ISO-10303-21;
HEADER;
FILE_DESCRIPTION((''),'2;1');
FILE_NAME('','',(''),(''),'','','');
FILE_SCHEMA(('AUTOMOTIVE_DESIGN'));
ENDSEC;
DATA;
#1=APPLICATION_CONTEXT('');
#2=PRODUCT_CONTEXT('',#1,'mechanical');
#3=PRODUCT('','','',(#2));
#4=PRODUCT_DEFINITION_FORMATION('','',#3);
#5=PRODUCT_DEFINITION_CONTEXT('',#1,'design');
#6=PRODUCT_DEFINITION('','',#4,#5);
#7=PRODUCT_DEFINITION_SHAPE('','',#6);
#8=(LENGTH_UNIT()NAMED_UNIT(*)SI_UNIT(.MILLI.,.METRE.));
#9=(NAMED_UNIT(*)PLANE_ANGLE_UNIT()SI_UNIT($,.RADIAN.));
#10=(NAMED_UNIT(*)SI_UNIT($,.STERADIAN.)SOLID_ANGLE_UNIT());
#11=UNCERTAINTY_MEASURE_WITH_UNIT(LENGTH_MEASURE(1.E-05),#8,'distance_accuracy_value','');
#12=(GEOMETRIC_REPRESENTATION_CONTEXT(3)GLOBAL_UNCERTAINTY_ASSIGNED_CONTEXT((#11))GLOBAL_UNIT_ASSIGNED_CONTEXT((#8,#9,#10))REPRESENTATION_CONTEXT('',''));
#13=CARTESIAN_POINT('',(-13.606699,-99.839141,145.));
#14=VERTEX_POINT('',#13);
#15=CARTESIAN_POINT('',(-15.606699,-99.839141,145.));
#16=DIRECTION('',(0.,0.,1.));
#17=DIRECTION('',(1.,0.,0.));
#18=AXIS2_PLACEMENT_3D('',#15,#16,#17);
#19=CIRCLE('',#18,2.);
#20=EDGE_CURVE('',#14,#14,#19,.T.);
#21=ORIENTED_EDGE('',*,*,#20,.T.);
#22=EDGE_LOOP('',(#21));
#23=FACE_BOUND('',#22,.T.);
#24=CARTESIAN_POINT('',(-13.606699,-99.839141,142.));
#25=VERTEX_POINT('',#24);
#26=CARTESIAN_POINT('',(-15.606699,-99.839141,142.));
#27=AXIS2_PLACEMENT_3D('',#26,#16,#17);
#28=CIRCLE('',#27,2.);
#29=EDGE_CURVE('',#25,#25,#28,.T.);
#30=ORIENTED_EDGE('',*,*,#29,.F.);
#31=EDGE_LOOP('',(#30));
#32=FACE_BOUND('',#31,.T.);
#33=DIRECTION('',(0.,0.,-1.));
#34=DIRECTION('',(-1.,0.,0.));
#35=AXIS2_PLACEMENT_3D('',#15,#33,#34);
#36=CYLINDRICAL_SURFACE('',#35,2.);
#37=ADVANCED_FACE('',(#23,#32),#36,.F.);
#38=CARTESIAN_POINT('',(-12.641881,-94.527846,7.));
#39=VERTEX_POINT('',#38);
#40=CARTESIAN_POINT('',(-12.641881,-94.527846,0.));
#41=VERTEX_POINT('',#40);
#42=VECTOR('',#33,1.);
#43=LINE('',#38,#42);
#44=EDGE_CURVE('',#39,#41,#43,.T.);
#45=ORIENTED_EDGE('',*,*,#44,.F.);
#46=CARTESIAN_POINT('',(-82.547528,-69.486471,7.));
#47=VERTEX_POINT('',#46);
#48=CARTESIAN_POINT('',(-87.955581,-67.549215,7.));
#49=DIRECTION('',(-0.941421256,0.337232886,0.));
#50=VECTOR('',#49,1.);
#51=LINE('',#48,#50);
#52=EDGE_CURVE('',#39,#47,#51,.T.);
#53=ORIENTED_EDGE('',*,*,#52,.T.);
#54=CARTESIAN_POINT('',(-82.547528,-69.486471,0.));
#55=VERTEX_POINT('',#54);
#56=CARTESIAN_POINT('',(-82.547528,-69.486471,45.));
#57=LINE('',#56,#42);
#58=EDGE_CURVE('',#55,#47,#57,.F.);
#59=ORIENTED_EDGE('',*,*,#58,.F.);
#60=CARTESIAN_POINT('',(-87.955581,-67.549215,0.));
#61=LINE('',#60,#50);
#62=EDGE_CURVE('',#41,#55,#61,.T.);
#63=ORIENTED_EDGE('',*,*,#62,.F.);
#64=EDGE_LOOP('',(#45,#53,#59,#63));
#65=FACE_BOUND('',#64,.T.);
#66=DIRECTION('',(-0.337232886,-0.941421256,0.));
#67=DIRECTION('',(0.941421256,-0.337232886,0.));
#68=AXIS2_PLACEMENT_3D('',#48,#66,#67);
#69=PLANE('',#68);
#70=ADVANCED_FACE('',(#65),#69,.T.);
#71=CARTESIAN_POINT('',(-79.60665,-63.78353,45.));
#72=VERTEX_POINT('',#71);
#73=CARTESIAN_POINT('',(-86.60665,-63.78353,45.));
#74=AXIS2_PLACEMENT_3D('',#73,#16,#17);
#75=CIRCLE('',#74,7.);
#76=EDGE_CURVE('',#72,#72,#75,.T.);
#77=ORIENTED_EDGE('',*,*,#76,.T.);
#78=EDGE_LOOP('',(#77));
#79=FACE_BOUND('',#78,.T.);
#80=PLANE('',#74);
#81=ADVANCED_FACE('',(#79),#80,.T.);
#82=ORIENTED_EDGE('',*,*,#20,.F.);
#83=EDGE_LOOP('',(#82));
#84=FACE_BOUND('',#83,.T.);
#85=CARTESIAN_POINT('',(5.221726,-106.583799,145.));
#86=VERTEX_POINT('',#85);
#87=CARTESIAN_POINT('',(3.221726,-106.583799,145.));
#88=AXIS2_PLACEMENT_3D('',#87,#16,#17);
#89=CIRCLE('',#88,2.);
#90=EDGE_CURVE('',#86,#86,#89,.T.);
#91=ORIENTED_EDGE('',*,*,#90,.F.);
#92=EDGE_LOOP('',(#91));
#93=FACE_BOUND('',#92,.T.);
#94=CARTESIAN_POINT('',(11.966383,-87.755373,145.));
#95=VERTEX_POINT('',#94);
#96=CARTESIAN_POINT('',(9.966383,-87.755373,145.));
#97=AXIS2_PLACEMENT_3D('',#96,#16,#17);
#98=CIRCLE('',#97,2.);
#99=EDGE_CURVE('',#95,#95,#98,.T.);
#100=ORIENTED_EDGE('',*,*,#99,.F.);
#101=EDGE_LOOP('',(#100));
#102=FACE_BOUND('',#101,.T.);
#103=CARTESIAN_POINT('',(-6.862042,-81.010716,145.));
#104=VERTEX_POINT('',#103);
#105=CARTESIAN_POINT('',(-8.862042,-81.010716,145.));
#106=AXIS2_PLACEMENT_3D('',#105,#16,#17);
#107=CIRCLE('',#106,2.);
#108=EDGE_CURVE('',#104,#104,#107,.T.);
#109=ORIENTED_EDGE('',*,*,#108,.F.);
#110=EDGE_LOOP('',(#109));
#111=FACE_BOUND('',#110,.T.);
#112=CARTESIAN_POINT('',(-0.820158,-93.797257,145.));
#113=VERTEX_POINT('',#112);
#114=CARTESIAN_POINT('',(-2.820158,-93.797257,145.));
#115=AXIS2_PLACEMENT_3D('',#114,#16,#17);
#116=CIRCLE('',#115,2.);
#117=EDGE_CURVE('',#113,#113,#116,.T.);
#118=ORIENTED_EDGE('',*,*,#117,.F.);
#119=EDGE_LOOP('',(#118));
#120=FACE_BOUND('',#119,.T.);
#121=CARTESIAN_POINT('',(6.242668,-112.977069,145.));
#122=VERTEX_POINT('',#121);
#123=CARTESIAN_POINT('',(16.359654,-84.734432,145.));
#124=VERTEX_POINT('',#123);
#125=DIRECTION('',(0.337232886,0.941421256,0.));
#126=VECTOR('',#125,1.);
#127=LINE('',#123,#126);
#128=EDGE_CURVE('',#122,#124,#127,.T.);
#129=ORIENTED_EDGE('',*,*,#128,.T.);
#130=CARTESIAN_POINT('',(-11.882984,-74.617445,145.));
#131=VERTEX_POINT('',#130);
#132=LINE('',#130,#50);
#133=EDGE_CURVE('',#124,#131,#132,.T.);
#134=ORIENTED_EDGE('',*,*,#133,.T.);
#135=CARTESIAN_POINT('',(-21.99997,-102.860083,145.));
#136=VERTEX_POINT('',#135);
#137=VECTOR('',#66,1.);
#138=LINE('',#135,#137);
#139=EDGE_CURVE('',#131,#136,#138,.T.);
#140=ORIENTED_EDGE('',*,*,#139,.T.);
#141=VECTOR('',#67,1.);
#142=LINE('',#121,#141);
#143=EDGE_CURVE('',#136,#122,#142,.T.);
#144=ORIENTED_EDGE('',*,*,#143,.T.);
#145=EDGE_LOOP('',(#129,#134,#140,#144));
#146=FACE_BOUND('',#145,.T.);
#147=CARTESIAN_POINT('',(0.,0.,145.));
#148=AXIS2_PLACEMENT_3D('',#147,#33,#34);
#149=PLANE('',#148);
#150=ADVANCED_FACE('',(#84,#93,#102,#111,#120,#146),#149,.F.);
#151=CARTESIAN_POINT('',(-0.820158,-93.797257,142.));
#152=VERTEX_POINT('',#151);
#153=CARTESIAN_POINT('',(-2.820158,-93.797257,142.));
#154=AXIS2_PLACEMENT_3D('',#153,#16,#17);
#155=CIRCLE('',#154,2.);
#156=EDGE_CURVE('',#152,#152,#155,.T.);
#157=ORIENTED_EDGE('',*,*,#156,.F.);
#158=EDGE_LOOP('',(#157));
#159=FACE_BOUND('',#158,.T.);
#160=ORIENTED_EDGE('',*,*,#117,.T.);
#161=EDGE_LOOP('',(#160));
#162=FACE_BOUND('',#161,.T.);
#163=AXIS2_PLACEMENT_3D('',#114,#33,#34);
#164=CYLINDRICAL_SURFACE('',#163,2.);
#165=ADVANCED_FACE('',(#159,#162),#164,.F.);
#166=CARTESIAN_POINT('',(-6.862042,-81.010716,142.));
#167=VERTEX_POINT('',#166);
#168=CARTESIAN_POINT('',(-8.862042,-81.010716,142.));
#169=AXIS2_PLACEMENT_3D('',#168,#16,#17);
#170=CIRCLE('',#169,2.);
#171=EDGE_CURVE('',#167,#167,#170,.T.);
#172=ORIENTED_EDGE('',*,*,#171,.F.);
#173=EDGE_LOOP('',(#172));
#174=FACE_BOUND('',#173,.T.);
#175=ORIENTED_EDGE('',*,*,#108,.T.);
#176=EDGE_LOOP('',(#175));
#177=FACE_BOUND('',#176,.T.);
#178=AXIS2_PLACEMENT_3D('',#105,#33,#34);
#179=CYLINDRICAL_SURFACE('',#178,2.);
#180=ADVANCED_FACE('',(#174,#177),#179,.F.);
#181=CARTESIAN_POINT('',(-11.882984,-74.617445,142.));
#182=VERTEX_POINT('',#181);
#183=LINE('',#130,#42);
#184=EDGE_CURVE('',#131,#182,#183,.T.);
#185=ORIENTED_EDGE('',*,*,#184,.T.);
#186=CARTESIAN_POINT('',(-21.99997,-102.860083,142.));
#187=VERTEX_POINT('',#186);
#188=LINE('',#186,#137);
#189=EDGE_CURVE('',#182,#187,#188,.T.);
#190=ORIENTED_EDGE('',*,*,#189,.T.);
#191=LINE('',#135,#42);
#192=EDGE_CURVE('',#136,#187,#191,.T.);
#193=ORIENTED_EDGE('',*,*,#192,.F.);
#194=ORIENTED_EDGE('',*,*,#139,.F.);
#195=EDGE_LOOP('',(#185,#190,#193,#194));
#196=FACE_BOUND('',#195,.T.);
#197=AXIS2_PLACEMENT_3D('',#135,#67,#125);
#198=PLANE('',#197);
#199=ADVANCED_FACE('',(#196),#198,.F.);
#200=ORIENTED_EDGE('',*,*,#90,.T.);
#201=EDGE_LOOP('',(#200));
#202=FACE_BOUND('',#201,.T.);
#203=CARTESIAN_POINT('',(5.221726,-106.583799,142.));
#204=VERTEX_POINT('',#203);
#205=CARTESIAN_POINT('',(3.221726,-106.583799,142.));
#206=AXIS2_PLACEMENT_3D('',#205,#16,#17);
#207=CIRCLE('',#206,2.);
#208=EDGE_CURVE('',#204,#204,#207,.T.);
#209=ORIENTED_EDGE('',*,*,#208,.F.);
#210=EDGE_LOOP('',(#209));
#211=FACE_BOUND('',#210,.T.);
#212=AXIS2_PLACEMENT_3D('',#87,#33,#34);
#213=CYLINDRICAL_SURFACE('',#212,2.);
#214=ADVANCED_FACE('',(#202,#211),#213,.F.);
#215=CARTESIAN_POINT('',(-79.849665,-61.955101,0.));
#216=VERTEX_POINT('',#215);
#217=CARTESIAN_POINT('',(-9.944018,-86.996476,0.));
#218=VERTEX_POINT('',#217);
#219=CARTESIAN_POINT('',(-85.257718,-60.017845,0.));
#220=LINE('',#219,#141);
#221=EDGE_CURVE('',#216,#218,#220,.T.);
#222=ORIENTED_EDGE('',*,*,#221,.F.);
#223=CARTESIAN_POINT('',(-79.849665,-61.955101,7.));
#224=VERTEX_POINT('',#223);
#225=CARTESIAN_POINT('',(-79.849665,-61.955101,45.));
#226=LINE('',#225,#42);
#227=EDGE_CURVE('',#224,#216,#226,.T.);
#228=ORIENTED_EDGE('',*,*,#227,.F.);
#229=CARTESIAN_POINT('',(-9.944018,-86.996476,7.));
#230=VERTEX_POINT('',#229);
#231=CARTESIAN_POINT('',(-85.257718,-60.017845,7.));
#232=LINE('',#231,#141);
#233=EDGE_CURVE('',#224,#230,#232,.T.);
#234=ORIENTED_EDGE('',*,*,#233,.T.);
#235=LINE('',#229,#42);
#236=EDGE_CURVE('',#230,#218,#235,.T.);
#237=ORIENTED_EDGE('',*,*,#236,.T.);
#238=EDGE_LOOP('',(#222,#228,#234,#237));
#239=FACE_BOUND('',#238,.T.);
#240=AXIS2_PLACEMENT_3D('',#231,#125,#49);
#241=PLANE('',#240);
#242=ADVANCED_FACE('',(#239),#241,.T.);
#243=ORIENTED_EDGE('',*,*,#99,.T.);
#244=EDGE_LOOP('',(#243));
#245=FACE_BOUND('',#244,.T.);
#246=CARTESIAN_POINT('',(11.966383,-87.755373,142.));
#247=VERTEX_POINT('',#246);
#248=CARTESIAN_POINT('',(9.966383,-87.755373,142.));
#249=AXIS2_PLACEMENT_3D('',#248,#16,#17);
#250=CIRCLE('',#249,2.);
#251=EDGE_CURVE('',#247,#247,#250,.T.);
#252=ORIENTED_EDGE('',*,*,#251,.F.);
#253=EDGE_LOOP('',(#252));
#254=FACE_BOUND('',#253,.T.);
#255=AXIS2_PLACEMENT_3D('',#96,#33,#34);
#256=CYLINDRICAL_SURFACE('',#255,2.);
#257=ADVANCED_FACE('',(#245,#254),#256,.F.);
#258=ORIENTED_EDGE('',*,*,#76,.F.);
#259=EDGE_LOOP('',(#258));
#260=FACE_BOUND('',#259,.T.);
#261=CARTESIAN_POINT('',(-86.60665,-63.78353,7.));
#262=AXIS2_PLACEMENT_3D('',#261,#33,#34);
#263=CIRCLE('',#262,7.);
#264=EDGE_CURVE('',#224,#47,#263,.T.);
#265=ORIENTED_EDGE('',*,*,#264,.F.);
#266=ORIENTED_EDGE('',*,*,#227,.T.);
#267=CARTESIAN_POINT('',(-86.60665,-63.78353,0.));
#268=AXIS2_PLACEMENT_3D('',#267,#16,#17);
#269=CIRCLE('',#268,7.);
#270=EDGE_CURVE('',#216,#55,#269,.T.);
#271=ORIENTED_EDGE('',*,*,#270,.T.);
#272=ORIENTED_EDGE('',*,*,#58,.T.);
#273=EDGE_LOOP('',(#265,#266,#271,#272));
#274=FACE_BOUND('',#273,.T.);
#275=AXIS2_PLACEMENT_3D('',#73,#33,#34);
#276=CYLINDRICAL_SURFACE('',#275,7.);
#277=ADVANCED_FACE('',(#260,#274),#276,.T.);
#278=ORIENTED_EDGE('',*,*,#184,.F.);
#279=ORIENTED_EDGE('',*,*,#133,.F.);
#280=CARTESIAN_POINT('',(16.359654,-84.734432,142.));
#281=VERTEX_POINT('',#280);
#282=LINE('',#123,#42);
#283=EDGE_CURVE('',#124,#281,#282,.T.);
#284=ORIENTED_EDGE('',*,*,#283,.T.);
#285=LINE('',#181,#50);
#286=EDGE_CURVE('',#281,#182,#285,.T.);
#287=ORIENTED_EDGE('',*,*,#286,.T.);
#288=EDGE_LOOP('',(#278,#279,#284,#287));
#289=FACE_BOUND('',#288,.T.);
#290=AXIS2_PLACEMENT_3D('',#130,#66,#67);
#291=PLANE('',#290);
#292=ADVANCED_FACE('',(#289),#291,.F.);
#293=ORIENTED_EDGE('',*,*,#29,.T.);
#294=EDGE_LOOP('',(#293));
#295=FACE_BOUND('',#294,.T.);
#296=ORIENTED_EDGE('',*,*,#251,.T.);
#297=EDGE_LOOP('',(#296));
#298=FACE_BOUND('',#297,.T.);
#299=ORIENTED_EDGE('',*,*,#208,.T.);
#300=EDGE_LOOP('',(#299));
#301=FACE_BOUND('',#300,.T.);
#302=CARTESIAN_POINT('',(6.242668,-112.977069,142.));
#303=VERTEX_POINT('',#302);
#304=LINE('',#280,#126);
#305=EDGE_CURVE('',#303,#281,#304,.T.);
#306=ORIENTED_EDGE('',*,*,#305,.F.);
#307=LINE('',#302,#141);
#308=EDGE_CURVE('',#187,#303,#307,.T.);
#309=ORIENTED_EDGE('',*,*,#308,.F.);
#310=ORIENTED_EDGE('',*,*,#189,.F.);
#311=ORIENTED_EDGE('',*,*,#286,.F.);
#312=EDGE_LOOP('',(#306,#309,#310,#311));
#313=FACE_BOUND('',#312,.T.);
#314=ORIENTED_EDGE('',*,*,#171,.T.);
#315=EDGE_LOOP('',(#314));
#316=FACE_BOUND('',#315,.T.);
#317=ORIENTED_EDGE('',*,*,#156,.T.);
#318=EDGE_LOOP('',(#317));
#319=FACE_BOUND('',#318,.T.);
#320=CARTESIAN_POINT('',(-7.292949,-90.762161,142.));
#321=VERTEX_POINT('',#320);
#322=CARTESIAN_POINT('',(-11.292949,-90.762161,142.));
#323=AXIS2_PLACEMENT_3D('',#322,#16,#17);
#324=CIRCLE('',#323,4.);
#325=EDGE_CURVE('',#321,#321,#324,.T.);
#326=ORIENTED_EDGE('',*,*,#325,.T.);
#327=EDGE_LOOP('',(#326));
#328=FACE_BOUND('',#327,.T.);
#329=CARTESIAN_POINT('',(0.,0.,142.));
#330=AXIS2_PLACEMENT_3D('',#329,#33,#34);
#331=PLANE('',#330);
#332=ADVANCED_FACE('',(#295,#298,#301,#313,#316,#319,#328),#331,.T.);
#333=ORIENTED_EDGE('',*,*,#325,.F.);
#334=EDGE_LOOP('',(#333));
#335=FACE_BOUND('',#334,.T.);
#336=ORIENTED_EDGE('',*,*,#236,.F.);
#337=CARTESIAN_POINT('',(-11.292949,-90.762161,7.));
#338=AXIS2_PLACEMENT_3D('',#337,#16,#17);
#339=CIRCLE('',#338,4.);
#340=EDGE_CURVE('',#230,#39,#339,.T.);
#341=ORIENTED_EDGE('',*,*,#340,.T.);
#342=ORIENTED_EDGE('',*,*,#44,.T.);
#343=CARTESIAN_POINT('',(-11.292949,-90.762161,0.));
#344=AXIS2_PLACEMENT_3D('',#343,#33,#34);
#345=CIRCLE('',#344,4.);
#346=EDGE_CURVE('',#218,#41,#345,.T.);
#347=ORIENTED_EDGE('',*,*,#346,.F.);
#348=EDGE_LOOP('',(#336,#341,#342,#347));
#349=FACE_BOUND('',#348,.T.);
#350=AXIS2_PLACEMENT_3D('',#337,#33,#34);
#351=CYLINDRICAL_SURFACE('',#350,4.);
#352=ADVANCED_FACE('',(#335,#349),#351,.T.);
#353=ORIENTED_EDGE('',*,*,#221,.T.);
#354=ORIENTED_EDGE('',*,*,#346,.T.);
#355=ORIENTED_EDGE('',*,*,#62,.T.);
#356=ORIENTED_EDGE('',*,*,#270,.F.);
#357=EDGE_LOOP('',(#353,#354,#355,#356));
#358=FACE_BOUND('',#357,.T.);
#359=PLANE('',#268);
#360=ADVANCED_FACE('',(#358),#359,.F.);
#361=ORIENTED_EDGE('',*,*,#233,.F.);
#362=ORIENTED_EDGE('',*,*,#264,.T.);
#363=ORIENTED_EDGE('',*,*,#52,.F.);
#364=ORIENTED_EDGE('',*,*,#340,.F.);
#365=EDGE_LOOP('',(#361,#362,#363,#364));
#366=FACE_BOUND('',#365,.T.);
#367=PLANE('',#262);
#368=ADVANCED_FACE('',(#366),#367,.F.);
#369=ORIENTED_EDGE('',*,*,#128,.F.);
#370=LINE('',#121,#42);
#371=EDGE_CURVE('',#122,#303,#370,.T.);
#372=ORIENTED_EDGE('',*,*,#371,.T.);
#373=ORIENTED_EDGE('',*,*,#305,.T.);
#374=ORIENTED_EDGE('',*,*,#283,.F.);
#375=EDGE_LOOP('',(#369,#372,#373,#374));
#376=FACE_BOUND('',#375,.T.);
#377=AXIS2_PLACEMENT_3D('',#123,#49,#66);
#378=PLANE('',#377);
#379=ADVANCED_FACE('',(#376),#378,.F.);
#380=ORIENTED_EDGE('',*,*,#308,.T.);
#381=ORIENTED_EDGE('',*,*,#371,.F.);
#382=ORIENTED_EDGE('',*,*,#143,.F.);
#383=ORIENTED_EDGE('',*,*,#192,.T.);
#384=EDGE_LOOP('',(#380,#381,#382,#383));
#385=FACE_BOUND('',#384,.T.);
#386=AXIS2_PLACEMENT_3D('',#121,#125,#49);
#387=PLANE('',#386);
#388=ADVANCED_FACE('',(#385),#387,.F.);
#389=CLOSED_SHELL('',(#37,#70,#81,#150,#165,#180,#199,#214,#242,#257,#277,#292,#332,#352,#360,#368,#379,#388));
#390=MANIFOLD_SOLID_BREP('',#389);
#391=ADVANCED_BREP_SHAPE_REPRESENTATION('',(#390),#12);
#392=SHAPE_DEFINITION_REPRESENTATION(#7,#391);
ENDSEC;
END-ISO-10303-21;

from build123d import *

# Parameters (mm, degrees)
SKETCH_1_R      = 7
EXTRUDE_1_DEPTH = 45
EXTRUDE_2_DEPTH = 7
SKETCH_7_R      = 4
EXTRUDE_3_DEPTH = 135
SKETCH_8_R      = 2
EXTRUDE_4_DEPTH = 3


with BuildPart() as part:
    # 草图1 → 凸台-拉伸1 (new body)
    with BuildSketch(Plane.XY):
        with Locations(Location((-86.606649797, -63.783530386, 0), (0, 0, 180))):
            Circle(SKETCH_1_R)
    extrude(amount=EXTRUDE_1_DEPTH)

    # 草图3 → 凸台-拉伸2 (add)
    with BuildSketch(Plane(origin=(0, 0, 0), x_dir=(-1, 0, 0), z_dir=(0, 0, -1))):
        with BuildLine():
            Line((87.955581339, -67.549215409), (12.641880873, -94.52784625))
            ThreePointArc((12.641880873, -94.52784625), (7.527264308, -92.111092769), (9.944017789, -86.996476204))
            Line((9.944017789, -86.996476204), (85.257718255, -60.017845362))
            ThreePointArc((85.257718255, -60.017845362), (90.37233482, -62.434598843), (87.955581339, -67.549215409))
        make_face()
    extrude(amount=-EXTRUDE_2_DEPTH)

    # 草图7 → 凸台-拉伸3 (add)
    with BuildSketch(Plane.XY.offset(7)):
        with Locations(Location((-11.292949331, -90.762161227, 0), (0, 0, 250.291624105))):
            Circle(SKETCH_7_R)
    extrude(amount=EXTRUDE_3_DEPTH)

    # 草图8 → 凸台-拉伸4 (add)
    with BuildSketch(Plane.XY.offset(142)):
        Polygon((-11.882983583, -74.617445076), (16.359654092, -84.734431642), (6.242667526, -112.977069317), (-21.999970149, -102.860082751), align=None)
        with Locations((-8.862041731, -81.010715783)):
            Circle(SKETCH_8_R, mode=Mode.SUBTRACT)
        with Locations((9.966383385, -87.755373494)):
            Circle(SKETCH_8_R, mode=Mode.SUBTRACT)
        with Locations((-15.606699442, -99.8391409)):
            Circle(SKETCH_8_R, mode=Mode.SUBTRACT)
        with Locations((3.221725675, -106.58379861)):
            Circle(SKETCH_8_R, mode=Mode.SUBTRACT)
        with Locations((-2.820158028, -93.797257197)):
            Circle(SKETCH_8_R, mode=Mode.SUBTRACT)
    extrude(amount=EXTRUDE_4_DEPTH)


solid = part.part
